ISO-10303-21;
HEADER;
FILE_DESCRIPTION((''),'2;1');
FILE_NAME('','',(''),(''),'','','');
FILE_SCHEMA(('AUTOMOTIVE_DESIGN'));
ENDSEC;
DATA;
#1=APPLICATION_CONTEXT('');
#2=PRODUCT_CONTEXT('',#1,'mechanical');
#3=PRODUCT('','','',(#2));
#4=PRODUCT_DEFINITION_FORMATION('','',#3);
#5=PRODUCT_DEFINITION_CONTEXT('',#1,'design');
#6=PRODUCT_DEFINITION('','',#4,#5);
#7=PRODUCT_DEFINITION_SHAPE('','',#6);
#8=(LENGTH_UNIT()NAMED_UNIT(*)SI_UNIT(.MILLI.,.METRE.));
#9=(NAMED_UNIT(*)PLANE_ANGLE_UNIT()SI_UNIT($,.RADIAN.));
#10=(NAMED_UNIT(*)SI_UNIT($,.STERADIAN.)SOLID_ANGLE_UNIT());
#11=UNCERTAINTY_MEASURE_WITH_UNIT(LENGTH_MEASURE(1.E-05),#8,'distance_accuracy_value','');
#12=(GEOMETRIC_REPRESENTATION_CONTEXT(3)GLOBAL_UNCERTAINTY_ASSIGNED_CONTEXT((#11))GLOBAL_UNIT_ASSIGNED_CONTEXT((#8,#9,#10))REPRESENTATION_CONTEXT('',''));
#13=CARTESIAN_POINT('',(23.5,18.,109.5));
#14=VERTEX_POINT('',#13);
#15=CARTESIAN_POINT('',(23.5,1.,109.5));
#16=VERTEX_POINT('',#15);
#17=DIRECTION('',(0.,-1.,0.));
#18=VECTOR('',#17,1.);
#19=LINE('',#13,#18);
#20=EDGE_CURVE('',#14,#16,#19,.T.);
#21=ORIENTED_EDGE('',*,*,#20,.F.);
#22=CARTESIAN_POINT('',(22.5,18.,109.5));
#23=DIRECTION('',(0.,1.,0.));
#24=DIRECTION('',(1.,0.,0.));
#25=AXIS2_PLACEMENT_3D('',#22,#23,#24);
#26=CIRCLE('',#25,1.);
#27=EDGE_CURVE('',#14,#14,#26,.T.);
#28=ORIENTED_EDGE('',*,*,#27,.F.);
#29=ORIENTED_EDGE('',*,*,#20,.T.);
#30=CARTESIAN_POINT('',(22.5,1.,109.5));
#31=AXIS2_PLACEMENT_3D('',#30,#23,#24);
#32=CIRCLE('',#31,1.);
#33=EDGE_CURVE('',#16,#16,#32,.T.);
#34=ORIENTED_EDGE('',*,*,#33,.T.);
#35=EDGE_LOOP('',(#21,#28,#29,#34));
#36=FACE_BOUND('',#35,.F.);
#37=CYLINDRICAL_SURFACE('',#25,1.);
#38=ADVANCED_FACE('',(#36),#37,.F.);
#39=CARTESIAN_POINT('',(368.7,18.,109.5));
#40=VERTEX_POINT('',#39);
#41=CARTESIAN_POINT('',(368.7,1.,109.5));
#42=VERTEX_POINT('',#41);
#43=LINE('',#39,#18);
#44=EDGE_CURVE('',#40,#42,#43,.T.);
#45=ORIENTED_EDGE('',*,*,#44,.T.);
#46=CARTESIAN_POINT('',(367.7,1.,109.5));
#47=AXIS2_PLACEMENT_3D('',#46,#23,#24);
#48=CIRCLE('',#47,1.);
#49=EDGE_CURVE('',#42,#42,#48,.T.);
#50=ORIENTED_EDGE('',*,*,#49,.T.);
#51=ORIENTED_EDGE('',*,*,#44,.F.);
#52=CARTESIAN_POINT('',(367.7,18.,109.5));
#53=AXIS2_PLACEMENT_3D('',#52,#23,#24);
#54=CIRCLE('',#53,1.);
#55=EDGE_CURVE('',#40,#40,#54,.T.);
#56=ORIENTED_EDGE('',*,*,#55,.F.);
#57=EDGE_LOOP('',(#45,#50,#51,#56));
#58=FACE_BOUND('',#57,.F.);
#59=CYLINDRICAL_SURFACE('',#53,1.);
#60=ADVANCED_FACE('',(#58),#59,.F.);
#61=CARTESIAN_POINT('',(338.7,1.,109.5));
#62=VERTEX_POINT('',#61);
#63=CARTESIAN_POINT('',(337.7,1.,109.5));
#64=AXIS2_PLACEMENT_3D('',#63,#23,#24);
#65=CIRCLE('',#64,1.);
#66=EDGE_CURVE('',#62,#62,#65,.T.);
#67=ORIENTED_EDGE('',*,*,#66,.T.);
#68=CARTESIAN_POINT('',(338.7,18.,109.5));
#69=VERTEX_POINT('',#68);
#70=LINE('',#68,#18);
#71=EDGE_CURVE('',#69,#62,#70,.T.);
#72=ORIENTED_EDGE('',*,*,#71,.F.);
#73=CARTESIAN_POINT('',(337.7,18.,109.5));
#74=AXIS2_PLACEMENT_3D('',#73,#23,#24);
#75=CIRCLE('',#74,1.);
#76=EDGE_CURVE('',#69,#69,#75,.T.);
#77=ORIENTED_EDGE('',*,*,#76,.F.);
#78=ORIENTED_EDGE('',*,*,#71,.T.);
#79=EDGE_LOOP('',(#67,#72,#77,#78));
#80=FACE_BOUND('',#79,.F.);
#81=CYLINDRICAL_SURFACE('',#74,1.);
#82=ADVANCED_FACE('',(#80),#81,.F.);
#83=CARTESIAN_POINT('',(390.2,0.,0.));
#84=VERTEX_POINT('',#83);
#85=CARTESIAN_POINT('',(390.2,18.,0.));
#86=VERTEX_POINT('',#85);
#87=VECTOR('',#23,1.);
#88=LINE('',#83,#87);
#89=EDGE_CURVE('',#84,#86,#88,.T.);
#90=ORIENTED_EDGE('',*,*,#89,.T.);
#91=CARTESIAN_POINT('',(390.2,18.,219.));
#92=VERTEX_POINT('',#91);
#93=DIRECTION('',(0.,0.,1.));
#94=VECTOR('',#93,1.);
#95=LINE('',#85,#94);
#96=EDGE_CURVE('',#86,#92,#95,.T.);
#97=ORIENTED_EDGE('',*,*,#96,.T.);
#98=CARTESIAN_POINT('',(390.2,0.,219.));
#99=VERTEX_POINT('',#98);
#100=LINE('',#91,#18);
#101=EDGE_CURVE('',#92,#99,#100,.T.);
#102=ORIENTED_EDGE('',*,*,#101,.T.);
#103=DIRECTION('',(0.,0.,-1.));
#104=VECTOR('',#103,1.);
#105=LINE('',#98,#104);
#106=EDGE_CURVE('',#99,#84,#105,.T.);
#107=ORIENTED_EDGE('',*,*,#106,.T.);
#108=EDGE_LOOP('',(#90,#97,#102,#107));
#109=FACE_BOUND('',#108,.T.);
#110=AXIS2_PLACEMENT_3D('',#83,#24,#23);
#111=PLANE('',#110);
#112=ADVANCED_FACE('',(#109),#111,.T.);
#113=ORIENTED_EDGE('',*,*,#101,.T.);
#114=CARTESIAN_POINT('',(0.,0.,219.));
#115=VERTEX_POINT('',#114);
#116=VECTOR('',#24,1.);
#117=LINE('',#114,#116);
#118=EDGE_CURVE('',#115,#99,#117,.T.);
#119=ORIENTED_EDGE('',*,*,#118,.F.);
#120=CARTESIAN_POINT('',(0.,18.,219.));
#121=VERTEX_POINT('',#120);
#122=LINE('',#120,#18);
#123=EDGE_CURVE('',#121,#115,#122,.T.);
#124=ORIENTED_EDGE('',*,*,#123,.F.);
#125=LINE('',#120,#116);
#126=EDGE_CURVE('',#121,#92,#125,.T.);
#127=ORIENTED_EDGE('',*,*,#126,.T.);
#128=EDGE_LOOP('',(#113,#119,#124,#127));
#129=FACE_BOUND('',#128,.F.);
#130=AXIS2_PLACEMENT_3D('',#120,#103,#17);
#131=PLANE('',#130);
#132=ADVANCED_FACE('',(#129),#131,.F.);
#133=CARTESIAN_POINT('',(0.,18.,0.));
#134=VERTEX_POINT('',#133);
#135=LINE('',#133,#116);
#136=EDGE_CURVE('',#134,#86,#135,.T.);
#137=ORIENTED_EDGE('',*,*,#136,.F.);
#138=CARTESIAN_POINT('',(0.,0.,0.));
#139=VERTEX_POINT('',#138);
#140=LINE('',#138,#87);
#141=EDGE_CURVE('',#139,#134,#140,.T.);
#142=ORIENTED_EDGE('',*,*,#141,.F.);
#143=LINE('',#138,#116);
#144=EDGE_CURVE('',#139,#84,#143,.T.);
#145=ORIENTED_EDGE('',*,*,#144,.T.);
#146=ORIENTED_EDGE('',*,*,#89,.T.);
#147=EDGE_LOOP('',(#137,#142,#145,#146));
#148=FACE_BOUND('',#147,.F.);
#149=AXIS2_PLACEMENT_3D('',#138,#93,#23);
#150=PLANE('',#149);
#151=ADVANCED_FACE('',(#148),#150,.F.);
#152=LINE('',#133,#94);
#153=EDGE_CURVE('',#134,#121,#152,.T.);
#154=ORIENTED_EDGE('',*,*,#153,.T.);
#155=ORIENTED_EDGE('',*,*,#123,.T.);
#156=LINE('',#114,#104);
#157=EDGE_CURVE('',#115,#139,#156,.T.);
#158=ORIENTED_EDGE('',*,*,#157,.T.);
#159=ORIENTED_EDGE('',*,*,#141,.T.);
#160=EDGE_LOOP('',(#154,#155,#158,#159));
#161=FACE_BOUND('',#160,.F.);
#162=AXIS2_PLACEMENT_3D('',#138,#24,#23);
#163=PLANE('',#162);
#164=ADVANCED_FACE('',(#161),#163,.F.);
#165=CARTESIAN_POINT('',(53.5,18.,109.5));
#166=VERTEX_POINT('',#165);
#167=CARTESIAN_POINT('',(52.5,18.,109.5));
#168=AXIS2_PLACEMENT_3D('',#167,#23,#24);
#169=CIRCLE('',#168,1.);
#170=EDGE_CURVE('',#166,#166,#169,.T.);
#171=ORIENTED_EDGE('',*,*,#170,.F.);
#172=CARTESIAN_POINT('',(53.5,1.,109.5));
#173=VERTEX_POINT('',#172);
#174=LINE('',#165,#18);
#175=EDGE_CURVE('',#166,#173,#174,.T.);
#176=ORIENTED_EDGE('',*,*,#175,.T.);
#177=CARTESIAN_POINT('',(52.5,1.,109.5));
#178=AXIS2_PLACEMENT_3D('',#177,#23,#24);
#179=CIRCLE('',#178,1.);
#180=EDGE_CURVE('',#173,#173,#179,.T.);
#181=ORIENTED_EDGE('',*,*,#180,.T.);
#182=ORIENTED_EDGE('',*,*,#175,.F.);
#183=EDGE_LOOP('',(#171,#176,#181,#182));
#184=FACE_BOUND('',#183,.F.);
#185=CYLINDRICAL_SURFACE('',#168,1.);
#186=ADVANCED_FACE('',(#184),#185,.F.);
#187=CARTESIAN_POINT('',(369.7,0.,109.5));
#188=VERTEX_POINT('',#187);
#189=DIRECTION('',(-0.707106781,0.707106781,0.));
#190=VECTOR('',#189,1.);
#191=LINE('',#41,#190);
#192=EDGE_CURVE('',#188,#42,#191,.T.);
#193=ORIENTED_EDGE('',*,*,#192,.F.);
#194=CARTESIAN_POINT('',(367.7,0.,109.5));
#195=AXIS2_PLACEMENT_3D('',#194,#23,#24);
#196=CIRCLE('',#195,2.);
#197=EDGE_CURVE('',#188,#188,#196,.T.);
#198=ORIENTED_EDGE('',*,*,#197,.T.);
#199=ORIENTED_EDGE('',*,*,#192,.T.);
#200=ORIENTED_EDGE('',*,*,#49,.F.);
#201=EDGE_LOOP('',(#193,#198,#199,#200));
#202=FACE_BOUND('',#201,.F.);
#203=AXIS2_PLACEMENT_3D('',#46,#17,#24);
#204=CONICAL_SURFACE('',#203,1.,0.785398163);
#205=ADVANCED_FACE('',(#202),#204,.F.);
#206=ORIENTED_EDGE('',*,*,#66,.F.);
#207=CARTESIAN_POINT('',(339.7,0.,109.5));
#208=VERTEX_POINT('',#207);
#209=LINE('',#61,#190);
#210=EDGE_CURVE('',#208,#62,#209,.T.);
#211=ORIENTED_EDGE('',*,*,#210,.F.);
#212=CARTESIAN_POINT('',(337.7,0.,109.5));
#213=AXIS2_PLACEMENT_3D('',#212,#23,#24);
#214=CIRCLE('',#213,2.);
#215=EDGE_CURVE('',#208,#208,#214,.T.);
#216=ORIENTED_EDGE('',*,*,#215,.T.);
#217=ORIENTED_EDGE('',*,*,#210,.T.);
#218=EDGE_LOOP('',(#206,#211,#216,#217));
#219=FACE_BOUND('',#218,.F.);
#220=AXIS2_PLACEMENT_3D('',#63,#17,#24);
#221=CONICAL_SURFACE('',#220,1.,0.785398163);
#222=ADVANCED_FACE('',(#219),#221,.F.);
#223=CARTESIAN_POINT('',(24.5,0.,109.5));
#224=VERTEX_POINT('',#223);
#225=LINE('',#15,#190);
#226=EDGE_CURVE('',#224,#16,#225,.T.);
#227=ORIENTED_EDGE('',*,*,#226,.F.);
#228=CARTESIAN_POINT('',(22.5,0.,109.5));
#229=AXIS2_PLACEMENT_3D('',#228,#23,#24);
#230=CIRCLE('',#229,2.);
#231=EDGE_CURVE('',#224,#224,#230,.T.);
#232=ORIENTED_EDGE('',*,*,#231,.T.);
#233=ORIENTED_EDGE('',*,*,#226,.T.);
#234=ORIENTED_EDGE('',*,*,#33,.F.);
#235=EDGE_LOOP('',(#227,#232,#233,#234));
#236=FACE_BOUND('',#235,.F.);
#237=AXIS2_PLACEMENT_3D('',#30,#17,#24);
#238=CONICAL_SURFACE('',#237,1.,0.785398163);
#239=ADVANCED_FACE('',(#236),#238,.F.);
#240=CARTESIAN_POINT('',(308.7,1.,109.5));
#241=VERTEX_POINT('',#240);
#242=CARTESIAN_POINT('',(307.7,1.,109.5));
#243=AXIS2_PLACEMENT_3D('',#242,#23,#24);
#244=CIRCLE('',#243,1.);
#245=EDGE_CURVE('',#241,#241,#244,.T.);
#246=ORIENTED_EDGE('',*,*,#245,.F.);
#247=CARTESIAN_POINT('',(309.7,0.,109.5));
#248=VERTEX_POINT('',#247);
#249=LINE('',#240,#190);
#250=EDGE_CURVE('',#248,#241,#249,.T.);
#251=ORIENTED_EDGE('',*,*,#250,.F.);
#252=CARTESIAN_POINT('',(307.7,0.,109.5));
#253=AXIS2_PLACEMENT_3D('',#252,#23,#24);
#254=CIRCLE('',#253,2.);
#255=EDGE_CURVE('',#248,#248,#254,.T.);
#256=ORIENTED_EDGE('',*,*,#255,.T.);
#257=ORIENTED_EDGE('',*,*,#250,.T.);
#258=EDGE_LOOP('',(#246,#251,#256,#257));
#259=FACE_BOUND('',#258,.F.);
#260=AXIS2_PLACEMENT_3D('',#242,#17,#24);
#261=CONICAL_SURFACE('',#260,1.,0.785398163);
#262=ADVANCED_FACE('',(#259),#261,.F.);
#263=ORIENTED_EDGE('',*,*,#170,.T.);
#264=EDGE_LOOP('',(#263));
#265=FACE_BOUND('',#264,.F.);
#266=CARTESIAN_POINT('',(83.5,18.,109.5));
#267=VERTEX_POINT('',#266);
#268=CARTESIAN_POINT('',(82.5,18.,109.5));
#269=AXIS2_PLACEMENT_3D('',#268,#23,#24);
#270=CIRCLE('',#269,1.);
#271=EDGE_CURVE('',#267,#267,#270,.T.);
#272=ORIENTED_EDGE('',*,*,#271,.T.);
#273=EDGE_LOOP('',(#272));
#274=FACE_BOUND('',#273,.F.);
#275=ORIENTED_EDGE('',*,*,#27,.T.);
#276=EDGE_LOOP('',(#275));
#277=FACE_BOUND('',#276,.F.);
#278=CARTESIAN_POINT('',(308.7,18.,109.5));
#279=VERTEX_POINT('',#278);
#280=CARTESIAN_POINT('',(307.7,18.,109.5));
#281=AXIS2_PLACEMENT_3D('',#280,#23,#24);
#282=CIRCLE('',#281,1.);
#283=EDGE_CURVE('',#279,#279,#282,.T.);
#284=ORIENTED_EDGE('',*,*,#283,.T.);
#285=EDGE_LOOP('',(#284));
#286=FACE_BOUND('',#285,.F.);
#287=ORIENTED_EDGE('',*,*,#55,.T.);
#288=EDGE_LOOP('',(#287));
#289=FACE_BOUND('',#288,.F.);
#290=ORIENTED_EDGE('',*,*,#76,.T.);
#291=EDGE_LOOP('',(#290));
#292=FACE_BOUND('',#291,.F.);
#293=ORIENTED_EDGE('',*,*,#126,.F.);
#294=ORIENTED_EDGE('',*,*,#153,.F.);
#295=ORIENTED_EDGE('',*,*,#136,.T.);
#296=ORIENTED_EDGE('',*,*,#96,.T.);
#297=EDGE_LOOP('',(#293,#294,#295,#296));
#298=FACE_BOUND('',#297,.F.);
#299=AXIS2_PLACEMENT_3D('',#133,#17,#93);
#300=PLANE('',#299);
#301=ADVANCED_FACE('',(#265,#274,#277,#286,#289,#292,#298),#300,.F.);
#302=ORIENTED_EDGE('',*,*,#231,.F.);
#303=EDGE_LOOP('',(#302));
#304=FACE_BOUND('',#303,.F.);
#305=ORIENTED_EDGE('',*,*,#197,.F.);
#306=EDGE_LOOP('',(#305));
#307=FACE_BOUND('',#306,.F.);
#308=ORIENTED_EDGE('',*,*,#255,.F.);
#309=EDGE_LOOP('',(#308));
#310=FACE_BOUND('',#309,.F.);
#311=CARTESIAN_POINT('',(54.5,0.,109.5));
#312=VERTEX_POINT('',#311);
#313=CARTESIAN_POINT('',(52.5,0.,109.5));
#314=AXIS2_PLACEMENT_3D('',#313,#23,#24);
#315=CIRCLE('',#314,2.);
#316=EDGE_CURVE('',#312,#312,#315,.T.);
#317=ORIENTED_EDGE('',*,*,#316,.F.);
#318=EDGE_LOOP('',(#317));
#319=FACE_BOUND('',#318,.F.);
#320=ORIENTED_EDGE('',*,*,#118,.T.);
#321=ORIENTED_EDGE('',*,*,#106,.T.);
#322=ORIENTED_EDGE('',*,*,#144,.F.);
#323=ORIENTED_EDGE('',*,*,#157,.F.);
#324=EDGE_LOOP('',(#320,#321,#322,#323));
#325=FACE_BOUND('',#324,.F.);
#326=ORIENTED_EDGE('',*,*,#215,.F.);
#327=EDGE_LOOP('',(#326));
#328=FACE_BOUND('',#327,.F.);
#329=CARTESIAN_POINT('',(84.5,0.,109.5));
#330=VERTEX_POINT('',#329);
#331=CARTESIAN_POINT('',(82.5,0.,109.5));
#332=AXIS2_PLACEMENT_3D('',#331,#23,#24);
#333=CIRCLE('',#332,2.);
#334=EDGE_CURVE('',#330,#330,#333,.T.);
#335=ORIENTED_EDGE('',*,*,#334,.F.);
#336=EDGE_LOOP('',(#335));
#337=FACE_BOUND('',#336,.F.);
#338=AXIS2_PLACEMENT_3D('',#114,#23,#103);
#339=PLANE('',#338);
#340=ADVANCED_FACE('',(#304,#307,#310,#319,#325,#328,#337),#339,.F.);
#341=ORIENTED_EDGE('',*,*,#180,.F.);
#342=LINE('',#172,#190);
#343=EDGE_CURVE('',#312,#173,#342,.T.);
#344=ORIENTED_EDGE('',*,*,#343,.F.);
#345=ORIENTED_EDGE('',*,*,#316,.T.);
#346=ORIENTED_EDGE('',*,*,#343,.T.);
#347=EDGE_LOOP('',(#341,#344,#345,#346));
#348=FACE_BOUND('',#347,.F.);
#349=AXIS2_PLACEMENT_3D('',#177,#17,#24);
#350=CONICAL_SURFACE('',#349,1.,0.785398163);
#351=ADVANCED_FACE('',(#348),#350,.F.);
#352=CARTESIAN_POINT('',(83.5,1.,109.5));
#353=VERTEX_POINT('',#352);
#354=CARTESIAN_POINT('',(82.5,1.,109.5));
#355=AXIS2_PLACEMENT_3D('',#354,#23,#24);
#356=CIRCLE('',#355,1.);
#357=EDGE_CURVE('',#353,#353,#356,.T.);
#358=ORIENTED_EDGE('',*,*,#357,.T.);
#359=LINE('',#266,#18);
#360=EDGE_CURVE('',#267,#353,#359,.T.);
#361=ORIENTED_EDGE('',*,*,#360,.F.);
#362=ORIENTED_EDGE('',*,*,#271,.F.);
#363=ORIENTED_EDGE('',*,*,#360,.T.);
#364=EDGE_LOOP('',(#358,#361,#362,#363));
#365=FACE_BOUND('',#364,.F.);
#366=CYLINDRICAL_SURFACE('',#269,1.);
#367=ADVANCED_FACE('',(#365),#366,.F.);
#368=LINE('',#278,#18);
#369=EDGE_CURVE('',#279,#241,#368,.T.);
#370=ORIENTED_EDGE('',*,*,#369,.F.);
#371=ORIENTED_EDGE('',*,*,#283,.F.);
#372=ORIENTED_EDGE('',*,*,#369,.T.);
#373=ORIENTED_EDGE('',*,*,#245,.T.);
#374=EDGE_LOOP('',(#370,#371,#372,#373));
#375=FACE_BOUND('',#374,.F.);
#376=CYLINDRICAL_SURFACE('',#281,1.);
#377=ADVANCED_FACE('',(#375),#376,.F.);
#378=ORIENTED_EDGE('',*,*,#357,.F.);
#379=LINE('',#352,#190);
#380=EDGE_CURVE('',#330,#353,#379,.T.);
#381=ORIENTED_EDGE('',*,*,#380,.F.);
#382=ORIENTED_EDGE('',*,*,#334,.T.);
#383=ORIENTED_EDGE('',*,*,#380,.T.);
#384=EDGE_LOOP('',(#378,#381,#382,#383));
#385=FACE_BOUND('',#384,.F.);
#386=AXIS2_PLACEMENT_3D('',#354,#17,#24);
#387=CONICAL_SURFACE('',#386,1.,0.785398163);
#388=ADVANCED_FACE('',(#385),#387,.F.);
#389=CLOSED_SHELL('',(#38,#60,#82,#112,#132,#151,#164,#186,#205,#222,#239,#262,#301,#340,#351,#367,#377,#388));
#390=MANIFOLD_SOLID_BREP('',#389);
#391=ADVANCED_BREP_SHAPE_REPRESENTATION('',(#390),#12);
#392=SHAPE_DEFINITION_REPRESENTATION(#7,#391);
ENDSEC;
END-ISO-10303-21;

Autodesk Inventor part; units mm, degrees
ref_plane "YZ Plane" through (0, 0, 0) normal (1, 0, 0) x (0, 1, 0)
ref_plane "XZ Plane" through (0, 0, 0) normal (0, 1, 0) x (-1, 0, 0)
ref_plane "XY Plane" through (0, 0, 0) normal (0, 0, 1) x (1, 0, 0)
sketch "Sketch2" plane through (0, 0, 0) normal (1, 0, 0) x (0, 1, 0)
  line L0 (0, 0) -> (18, 0)
  line L1 (18, 0) -> (18, 219)
  line L2 (18, 219) -> (0, 219)
  line L3 (0, 219) -> (0, 0)
  dimension "d2" = 18
  dimension "d3" = 219
extrude "Extrusion1" add sketch "Sketch2" along normal blind 390.2
sketch "Sketch3" plane through (0, 18, 219) normal (0, 1, 0) x (1, 0, 0)
  line L0 (0, 118.5) -> (105, 118.5) construction
  line L1 (105, 118.5) -> (105, 100.5) construction
  line L2 (105, 100.5) -> (0, 100.5) construction
  line L3 (0, 100.5) -> (0, 118.5) construction
  circle A0 centre (22.5, 109.5) radius 1
  circle A1 centre (52.5, 109.5) radius 1
  circle A2 centre (82.5, 109.5) radius 1
  line L4 (0, 219) -> (0, 0) construction
  line L5 (0, 0) -> (390.2, 0) construction
  line L6 (195.1, 92.3564) -> (195.1, 74.6575) construction
  line L7 (390.2, 118.5) -> (285.2, 118.5) construction
  line L8 (285.2, 118.5) -> (285.2, 100.5) construction
  line L9 (285.2, 100.5) -> (390.2, 100.5) construction
  line L10 (390.2, 100.5) -> (390.2, 118.5) construction
  circle A3 centre (367.7, 109.5) radius 1
  circle A4 centre (337.7, 109.5) radius 1
  circle A5 centre (307.7, 109.5) radius 1
  line L11 (10, 90.5) -> (380.2, 90.5)
  line L12 (380.2, 90.5) -> (380.2, 10)
  line L13 (380.2, 10) -> (10, 10)
  line L14 (10, 10) -> (10, 90.5)
  line L15 (390.2, 219) -> (390.2, 0) projected
  point P0 (52.5, 100.5)
  point P1 (0, 109.5)
  point P2 (0, 109.5)
  point P3 (337.7, 100.5)
  point P4 (390.2, 109.5)
  dimension "d6" = 105
  dimension "d10" = 30
  dimension "d15" = 18
  dimension "screwholediameter" = 2
  dimension "d17" = 90.1
  dimension "d18" = 0
  dimension "d19" = 390.2
  dimension "d22" = 370.2
  dimension "d23" = 80.5
  dimension "d24" = 10
  dimension "d25" = 10
  dimension "d26" = 10
  dimension "d27" = 10
extrude "Extrusion2" cut sketch "Sketch3" against normal through all contours A0 | A1 | A2 | A3 | A4 | A5
chamfer "Chamfer1" distance 1 angle 45 6 edges at (21.5, 0, 109.5) (51.5, 0, 109.5) (81.5, 0, 109.5) (306.7, 0, 109.5) (336.7, 0, 109.5) (366.7, 0, 109.5)
properties part number "SGB-8-platform"
